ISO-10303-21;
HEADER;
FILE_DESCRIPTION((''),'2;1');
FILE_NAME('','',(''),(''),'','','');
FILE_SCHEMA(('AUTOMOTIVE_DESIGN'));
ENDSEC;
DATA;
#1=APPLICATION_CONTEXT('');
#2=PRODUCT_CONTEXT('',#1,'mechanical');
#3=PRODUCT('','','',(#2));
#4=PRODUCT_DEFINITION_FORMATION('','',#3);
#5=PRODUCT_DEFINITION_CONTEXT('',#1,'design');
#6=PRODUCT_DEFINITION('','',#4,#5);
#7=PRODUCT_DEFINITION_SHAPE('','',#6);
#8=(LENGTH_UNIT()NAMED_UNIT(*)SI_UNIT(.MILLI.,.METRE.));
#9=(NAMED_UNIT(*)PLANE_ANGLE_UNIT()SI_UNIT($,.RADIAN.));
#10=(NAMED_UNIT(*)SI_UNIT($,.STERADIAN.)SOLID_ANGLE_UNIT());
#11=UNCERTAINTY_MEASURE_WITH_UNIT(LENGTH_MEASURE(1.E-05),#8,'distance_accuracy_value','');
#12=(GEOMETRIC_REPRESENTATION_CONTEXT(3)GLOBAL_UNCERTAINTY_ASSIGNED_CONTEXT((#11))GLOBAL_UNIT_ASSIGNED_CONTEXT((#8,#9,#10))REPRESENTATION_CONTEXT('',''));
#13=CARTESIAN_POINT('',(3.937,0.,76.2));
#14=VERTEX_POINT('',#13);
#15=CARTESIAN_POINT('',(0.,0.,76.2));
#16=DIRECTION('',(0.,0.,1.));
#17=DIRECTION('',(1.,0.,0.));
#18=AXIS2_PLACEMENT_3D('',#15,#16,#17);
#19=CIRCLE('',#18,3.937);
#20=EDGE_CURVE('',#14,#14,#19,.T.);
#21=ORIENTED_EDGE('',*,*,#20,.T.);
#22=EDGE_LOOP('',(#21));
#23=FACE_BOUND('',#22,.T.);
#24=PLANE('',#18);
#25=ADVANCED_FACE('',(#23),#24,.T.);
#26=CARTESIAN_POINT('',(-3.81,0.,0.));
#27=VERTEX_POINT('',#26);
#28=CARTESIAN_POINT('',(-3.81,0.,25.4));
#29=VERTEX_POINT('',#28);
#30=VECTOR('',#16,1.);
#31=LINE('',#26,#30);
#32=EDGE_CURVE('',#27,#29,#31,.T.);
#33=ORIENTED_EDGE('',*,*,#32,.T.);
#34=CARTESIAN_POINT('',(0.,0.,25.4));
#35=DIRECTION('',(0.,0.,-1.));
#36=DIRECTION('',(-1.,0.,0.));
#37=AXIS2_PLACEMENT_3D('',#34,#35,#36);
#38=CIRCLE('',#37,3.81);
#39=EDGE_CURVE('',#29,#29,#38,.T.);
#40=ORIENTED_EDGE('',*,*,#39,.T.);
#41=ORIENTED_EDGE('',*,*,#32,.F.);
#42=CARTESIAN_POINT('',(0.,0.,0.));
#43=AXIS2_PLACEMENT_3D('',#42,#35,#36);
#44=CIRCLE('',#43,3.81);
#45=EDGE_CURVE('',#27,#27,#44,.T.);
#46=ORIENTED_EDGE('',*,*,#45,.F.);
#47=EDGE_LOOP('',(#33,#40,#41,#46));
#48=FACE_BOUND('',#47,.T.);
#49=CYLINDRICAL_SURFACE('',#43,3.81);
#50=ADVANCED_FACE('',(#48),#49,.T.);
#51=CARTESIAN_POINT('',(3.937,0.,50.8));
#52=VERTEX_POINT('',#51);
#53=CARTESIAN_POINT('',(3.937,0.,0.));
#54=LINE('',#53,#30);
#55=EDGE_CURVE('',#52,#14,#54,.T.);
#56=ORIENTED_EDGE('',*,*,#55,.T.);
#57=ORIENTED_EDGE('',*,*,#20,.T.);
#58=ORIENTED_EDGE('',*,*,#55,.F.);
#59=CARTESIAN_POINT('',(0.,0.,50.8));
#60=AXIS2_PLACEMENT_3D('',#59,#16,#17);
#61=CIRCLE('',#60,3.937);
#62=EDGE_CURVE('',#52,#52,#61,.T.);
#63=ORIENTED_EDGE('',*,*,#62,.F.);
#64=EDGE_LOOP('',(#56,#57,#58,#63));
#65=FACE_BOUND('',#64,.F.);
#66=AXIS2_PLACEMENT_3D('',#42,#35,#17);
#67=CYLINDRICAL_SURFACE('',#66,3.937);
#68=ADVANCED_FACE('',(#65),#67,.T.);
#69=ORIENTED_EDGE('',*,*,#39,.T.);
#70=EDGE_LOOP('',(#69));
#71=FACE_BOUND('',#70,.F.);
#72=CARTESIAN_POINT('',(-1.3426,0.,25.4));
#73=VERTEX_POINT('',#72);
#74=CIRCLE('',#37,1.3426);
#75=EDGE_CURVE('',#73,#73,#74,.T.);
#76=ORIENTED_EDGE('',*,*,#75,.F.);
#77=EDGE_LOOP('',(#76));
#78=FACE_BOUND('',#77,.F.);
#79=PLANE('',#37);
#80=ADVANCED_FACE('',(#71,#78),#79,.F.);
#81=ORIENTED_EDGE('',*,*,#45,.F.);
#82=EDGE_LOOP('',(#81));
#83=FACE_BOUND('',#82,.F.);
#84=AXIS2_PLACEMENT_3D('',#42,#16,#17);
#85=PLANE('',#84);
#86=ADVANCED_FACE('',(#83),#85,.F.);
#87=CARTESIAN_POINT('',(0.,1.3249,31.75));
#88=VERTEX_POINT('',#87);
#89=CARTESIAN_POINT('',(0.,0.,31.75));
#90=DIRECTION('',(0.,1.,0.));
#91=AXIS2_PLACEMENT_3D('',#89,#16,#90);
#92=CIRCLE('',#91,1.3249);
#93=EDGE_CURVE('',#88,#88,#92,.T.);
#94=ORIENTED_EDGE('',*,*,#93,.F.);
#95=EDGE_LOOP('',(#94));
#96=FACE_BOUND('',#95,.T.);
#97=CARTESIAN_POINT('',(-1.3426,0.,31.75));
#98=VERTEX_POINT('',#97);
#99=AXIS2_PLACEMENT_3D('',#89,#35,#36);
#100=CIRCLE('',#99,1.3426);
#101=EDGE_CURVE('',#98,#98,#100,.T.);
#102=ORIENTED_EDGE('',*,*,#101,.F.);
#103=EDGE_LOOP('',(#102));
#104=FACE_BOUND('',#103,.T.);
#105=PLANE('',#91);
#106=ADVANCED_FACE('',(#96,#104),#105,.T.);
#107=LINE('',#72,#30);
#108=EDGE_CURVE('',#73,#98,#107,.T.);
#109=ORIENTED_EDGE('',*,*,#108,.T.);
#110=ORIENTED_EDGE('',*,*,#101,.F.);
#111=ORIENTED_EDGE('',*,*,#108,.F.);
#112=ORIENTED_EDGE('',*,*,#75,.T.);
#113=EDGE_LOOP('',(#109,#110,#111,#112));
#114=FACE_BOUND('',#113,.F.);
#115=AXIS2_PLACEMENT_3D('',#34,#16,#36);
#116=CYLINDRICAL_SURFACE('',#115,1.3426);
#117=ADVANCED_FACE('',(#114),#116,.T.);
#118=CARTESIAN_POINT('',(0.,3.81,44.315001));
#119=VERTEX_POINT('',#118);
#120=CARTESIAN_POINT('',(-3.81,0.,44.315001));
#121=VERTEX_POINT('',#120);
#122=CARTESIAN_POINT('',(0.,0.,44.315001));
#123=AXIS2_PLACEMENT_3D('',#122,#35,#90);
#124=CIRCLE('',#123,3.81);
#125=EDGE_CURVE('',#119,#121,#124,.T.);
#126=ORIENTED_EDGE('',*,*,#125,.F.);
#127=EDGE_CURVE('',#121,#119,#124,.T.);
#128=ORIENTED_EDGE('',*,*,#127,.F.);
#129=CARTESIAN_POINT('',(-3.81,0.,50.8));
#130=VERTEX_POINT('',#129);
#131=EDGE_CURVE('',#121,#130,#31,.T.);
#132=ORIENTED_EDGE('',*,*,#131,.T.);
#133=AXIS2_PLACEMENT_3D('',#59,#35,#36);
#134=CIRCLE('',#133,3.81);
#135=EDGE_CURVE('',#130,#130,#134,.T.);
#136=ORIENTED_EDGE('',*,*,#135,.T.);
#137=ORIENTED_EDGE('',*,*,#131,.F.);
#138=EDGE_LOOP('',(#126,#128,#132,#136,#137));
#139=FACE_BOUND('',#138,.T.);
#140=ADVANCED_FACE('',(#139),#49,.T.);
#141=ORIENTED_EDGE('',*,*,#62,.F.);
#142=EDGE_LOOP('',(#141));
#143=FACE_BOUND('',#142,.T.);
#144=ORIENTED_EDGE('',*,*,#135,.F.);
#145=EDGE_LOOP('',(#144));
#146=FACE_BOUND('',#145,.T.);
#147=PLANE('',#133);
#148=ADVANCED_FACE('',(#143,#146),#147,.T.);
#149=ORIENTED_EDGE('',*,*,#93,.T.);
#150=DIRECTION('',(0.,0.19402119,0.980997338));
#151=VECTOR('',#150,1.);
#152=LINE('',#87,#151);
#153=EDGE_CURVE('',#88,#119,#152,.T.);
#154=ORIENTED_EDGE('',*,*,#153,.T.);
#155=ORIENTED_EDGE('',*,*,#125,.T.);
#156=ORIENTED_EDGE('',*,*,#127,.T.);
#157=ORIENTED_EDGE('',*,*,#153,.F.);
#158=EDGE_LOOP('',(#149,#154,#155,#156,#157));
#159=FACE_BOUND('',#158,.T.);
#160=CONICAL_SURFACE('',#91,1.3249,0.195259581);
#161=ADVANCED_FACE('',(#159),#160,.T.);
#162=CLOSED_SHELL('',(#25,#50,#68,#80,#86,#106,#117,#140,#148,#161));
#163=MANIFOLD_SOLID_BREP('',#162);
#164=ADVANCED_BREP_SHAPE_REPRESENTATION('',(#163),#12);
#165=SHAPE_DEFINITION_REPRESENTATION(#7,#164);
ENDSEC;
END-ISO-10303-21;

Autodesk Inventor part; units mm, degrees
sketch "Sketch1" plane through (0, 0, 0) normal (0, 0, 1) x (1, 0, 0)
  circle A0 centre (0, 0) radius 3.937
  dimension "d0" = 7.874
extrude "Extrusion1" add sketch "Sketch1" along normal blind 76.2
sketch "Sketch2" plane through (0, 0, 0) normal (0, 0, -1) x (-1, 0, 0)
  circle A0 centre (0, 0) radius 3.937 projected
  circle A1 centre (0, 0) radius 3.81
  dimension "d3" = 7.62
extrude "Extrusion2" cut sketch "Sketch2" against normal blind 50.8
ref_plane "Work Plane1" through (0, 0, 25.4) normal (0, 0, -1) x (-1, 0, 0)
sketch "Sketch3" plane through (0, 0, 25.4) normal (0, 0, -1) x (-1, 0, 0)
  circle A0 centre (0, 0) radius 3.81 projected
  circle A1 centre (0, 0) radius 1.5875
  dimension "d7" = 3.175
ref_plane "Work Plane2" through (0, 0, 31.75) normal (0, 0, -1) x (-1, 0, 0)
ref_plane "Work Plane3" through (0, 0, 44.45) normal (0, 0, -1) x (-1, 0, 0)
sketch "Sketch4" plane through (0, 0, 31.75) normal (0, 0, -1) x (-1, 0, 0)
  circle A0 centre (0, 0) radius 3.81 projected
  circle A1 centre (0, 0) radius 1.5875
  dimension "d10" = 3.175
sketch "Sketch5" plane through (0, 0, 0) normal (0, 1, 0) x (-1, 0, 0)
  line L0 (3.81, 0) -> (3.81, 50.8) projected
  line L1 (-3.81, 0) -> (-3.81, 50.8) projected
  line L2 (5.5118, 31.75) -> (-5.5118, 31.75) projected
  line L3 (5.5118, 25.4) -> (-5.5118, 25.4) projected
  line L4 (3.81, 25.4) -> (1.3426, 25.4)
  line L5 (1.3426, 25.4) -> (1.3426, 31.75)
  line L6 (1.3426, 31.75) -> (3.81, 31.75)
  line L7 (3.81, 31.75) -> (3.81, 25.4)
  line L8 (0, 31.75) -> (0, 25.4) construction
revolve "Revolution1" cut sketch "Sketch5" angle 360 about axis through (0, 0, 31.75) along (0, 0, -1) contours L3 L5 L2 L0
sketch "Sketch6" plane through (0, 0, 44.45) normal (0, 0, -1) x (-1, 0, 0)
  circle A0 centre (0, 0) radius 3.81 projected
  circle A1 centre (0, 0) radius 3.937 projected
  line L0 (0, 0) -> (0, 3.81) construction
sketch "Sketch8" plane through (0, 0, 0) normal (1, 0, 0) x (0, 1, 0)
  line L0 (5.5118, 31.75) -> (-5.5118, 31.75) projected
  line L1 (5.5118, 44.45) -> (-5.5118, 44.45) projected
  line L2 (1.3249, 31.75) -> (3.8367, 44.45)
  line L3 (0, 31.75) -> (0, 44.45) construction
  line L4 (3.8367, 44.45) -> (3.8367, 31.75)
revolve "Revolution2" cut sketch "Sketch8" angle 360 about axis through (0, 0, 31.75) along (0, 0, 1)
properties part number "transmission plunger"
